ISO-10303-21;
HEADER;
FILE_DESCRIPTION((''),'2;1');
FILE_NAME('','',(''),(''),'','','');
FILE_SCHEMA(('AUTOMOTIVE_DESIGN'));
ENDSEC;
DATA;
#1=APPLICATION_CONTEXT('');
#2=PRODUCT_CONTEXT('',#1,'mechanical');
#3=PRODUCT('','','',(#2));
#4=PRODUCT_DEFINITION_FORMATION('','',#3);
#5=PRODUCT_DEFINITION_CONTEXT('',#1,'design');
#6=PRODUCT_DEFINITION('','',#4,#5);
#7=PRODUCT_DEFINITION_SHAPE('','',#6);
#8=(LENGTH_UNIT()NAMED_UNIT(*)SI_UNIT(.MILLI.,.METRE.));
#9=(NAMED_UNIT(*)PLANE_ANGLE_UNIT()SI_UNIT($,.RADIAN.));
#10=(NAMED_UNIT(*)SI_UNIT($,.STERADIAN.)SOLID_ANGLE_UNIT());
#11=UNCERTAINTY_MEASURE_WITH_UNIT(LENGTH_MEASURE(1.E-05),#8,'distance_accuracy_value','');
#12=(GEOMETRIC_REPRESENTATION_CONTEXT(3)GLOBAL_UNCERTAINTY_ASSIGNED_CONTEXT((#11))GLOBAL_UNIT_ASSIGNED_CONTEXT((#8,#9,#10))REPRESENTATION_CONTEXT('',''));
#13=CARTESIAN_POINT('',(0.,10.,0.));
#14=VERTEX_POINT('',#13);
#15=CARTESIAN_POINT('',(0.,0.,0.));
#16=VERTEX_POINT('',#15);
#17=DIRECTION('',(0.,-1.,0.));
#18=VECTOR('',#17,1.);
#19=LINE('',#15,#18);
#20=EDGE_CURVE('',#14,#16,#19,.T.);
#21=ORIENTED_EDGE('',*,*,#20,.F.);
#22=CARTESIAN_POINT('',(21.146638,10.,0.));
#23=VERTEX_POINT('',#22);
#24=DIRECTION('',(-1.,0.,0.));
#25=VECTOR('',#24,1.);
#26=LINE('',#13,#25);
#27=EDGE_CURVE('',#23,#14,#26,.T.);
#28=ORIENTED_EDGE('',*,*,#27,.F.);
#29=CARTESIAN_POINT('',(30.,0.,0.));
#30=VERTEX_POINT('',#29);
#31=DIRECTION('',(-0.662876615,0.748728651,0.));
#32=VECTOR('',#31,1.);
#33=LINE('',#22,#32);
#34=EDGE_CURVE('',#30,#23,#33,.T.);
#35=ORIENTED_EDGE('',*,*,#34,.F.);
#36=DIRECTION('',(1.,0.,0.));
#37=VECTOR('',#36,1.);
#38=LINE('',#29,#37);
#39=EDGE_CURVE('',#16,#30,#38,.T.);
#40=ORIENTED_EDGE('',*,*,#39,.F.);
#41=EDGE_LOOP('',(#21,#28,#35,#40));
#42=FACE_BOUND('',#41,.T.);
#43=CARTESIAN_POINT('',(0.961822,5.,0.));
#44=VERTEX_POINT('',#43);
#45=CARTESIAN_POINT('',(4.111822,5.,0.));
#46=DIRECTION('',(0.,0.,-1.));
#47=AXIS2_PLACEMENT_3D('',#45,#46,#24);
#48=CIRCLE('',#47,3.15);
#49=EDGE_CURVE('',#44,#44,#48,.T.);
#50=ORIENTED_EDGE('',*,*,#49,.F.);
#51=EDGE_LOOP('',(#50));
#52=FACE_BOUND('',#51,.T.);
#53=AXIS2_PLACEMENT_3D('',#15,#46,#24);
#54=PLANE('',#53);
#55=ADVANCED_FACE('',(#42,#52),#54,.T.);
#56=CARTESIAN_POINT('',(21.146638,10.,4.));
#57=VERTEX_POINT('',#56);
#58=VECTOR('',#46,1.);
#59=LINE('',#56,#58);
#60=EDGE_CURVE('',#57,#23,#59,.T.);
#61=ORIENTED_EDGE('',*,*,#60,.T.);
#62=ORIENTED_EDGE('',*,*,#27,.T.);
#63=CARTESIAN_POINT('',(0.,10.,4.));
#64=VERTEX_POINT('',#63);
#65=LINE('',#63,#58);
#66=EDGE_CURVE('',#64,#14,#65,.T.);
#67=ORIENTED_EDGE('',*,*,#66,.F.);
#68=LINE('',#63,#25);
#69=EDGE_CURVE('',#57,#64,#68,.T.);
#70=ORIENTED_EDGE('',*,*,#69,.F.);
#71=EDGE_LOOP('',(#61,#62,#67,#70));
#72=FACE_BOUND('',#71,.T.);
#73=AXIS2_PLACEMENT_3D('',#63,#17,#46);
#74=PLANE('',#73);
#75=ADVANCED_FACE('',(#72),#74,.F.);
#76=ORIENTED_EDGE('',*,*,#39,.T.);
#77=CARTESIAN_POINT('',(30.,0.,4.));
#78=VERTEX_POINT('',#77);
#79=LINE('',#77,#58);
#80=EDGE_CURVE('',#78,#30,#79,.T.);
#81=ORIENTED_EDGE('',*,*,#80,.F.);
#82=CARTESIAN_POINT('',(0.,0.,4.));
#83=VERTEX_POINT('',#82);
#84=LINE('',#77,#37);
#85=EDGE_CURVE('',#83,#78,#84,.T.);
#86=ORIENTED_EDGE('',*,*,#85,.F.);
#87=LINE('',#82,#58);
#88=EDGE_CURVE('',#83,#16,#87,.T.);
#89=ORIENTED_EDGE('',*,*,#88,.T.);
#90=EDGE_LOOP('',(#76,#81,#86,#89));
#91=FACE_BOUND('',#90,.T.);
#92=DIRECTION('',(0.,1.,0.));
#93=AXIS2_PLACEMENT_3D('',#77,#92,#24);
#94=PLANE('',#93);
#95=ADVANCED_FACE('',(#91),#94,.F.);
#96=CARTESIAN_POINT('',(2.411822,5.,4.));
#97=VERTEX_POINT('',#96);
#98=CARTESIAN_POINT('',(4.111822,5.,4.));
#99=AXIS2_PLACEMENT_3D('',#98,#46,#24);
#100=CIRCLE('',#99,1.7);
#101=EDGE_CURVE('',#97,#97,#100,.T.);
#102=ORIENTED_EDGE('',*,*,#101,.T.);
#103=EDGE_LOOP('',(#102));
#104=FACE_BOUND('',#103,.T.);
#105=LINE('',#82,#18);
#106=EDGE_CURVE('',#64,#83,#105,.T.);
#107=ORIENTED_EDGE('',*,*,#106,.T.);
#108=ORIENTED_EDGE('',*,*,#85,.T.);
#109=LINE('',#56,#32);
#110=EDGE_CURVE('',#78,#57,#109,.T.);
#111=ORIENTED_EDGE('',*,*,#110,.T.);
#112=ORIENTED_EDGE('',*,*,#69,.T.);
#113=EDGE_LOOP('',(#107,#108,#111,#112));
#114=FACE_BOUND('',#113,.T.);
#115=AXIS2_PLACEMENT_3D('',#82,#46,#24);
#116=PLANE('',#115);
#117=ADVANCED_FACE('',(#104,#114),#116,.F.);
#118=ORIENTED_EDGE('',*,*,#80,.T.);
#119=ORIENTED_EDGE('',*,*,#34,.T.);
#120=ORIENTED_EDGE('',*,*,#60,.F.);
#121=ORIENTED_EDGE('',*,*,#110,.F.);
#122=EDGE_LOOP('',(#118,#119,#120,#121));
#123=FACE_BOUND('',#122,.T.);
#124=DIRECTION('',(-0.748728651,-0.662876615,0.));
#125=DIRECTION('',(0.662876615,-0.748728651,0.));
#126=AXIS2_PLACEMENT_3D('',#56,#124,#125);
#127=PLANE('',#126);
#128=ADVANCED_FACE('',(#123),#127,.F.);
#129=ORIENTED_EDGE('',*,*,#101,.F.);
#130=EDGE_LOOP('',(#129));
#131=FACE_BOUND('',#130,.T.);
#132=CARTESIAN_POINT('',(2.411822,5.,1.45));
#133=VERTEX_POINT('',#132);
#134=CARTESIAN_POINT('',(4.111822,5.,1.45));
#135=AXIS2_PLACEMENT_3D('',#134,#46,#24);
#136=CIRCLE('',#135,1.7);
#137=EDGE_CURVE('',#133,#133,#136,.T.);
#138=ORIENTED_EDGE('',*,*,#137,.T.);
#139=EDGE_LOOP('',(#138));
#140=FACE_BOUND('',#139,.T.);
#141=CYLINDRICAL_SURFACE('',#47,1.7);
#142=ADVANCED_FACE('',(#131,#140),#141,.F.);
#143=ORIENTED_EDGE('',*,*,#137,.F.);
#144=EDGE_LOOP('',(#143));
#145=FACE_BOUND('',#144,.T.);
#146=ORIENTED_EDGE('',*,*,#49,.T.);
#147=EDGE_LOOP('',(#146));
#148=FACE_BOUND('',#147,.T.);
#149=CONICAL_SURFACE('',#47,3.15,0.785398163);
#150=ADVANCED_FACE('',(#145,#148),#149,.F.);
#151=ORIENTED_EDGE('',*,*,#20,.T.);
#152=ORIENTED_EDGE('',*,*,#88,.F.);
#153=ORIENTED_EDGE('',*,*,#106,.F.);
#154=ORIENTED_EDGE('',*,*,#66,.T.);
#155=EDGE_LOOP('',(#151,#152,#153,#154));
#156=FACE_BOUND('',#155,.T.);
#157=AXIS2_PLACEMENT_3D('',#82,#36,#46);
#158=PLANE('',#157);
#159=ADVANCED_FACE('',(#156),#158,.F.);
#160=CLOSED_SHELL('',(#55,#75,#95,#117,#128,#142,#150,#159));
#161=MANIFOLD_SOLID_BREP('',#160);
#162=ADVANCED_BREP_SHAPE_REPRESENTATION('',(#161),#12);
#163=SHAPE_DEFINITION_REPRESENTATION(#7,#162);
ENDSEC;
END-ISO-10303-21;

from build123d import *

# Parameters (mm, degrees)
EXTRUSION1_DEPTH                               = 4
FRAISAGE_POUR_VIS_T_TE_FRAIS_E_M31_D           = 3.4
FRAISAGE_POUR_VIS_T_TE_FRAIS_E_M31_CSINK_D     = 6.3
FRAISAGE_POUR_VIS_T_TE_FRAIS_E_M31_CSINK_ANGLE = 90


with BuildPart() as part:
    # Esquisse1 → Extrusion1 (new body)
    with BuildSketch(Plane.XY):
        Polygon((0, 0), (0, 10), (21.146637523, 10), (30, 0), align=None)
    extrude(amount=EXTRUSION1_DEPTH)

    # Fraisage pour vis à tête fraisée M31 (through all)
    with Locations(Plane(origin=(4.111822058, 5, 0), x_dir=(-1, 0, 0), z_dir=(0, 0, -1))):
        with Locations((0, 0)):
            CounterSinkHole(FRAISAGE_POUR_VIS_T_TE_FRAIS_E_M31_D / 2, FRAISAGE_POUR_VIS_T_TE_FRAIS_E_M31_CSINK_D / 2, counter_sink_angle=FRAISAGE_POUR_VIS_T_TE_FRAIS_E_M31_CSINK_ANGLE)


solid = part.part
